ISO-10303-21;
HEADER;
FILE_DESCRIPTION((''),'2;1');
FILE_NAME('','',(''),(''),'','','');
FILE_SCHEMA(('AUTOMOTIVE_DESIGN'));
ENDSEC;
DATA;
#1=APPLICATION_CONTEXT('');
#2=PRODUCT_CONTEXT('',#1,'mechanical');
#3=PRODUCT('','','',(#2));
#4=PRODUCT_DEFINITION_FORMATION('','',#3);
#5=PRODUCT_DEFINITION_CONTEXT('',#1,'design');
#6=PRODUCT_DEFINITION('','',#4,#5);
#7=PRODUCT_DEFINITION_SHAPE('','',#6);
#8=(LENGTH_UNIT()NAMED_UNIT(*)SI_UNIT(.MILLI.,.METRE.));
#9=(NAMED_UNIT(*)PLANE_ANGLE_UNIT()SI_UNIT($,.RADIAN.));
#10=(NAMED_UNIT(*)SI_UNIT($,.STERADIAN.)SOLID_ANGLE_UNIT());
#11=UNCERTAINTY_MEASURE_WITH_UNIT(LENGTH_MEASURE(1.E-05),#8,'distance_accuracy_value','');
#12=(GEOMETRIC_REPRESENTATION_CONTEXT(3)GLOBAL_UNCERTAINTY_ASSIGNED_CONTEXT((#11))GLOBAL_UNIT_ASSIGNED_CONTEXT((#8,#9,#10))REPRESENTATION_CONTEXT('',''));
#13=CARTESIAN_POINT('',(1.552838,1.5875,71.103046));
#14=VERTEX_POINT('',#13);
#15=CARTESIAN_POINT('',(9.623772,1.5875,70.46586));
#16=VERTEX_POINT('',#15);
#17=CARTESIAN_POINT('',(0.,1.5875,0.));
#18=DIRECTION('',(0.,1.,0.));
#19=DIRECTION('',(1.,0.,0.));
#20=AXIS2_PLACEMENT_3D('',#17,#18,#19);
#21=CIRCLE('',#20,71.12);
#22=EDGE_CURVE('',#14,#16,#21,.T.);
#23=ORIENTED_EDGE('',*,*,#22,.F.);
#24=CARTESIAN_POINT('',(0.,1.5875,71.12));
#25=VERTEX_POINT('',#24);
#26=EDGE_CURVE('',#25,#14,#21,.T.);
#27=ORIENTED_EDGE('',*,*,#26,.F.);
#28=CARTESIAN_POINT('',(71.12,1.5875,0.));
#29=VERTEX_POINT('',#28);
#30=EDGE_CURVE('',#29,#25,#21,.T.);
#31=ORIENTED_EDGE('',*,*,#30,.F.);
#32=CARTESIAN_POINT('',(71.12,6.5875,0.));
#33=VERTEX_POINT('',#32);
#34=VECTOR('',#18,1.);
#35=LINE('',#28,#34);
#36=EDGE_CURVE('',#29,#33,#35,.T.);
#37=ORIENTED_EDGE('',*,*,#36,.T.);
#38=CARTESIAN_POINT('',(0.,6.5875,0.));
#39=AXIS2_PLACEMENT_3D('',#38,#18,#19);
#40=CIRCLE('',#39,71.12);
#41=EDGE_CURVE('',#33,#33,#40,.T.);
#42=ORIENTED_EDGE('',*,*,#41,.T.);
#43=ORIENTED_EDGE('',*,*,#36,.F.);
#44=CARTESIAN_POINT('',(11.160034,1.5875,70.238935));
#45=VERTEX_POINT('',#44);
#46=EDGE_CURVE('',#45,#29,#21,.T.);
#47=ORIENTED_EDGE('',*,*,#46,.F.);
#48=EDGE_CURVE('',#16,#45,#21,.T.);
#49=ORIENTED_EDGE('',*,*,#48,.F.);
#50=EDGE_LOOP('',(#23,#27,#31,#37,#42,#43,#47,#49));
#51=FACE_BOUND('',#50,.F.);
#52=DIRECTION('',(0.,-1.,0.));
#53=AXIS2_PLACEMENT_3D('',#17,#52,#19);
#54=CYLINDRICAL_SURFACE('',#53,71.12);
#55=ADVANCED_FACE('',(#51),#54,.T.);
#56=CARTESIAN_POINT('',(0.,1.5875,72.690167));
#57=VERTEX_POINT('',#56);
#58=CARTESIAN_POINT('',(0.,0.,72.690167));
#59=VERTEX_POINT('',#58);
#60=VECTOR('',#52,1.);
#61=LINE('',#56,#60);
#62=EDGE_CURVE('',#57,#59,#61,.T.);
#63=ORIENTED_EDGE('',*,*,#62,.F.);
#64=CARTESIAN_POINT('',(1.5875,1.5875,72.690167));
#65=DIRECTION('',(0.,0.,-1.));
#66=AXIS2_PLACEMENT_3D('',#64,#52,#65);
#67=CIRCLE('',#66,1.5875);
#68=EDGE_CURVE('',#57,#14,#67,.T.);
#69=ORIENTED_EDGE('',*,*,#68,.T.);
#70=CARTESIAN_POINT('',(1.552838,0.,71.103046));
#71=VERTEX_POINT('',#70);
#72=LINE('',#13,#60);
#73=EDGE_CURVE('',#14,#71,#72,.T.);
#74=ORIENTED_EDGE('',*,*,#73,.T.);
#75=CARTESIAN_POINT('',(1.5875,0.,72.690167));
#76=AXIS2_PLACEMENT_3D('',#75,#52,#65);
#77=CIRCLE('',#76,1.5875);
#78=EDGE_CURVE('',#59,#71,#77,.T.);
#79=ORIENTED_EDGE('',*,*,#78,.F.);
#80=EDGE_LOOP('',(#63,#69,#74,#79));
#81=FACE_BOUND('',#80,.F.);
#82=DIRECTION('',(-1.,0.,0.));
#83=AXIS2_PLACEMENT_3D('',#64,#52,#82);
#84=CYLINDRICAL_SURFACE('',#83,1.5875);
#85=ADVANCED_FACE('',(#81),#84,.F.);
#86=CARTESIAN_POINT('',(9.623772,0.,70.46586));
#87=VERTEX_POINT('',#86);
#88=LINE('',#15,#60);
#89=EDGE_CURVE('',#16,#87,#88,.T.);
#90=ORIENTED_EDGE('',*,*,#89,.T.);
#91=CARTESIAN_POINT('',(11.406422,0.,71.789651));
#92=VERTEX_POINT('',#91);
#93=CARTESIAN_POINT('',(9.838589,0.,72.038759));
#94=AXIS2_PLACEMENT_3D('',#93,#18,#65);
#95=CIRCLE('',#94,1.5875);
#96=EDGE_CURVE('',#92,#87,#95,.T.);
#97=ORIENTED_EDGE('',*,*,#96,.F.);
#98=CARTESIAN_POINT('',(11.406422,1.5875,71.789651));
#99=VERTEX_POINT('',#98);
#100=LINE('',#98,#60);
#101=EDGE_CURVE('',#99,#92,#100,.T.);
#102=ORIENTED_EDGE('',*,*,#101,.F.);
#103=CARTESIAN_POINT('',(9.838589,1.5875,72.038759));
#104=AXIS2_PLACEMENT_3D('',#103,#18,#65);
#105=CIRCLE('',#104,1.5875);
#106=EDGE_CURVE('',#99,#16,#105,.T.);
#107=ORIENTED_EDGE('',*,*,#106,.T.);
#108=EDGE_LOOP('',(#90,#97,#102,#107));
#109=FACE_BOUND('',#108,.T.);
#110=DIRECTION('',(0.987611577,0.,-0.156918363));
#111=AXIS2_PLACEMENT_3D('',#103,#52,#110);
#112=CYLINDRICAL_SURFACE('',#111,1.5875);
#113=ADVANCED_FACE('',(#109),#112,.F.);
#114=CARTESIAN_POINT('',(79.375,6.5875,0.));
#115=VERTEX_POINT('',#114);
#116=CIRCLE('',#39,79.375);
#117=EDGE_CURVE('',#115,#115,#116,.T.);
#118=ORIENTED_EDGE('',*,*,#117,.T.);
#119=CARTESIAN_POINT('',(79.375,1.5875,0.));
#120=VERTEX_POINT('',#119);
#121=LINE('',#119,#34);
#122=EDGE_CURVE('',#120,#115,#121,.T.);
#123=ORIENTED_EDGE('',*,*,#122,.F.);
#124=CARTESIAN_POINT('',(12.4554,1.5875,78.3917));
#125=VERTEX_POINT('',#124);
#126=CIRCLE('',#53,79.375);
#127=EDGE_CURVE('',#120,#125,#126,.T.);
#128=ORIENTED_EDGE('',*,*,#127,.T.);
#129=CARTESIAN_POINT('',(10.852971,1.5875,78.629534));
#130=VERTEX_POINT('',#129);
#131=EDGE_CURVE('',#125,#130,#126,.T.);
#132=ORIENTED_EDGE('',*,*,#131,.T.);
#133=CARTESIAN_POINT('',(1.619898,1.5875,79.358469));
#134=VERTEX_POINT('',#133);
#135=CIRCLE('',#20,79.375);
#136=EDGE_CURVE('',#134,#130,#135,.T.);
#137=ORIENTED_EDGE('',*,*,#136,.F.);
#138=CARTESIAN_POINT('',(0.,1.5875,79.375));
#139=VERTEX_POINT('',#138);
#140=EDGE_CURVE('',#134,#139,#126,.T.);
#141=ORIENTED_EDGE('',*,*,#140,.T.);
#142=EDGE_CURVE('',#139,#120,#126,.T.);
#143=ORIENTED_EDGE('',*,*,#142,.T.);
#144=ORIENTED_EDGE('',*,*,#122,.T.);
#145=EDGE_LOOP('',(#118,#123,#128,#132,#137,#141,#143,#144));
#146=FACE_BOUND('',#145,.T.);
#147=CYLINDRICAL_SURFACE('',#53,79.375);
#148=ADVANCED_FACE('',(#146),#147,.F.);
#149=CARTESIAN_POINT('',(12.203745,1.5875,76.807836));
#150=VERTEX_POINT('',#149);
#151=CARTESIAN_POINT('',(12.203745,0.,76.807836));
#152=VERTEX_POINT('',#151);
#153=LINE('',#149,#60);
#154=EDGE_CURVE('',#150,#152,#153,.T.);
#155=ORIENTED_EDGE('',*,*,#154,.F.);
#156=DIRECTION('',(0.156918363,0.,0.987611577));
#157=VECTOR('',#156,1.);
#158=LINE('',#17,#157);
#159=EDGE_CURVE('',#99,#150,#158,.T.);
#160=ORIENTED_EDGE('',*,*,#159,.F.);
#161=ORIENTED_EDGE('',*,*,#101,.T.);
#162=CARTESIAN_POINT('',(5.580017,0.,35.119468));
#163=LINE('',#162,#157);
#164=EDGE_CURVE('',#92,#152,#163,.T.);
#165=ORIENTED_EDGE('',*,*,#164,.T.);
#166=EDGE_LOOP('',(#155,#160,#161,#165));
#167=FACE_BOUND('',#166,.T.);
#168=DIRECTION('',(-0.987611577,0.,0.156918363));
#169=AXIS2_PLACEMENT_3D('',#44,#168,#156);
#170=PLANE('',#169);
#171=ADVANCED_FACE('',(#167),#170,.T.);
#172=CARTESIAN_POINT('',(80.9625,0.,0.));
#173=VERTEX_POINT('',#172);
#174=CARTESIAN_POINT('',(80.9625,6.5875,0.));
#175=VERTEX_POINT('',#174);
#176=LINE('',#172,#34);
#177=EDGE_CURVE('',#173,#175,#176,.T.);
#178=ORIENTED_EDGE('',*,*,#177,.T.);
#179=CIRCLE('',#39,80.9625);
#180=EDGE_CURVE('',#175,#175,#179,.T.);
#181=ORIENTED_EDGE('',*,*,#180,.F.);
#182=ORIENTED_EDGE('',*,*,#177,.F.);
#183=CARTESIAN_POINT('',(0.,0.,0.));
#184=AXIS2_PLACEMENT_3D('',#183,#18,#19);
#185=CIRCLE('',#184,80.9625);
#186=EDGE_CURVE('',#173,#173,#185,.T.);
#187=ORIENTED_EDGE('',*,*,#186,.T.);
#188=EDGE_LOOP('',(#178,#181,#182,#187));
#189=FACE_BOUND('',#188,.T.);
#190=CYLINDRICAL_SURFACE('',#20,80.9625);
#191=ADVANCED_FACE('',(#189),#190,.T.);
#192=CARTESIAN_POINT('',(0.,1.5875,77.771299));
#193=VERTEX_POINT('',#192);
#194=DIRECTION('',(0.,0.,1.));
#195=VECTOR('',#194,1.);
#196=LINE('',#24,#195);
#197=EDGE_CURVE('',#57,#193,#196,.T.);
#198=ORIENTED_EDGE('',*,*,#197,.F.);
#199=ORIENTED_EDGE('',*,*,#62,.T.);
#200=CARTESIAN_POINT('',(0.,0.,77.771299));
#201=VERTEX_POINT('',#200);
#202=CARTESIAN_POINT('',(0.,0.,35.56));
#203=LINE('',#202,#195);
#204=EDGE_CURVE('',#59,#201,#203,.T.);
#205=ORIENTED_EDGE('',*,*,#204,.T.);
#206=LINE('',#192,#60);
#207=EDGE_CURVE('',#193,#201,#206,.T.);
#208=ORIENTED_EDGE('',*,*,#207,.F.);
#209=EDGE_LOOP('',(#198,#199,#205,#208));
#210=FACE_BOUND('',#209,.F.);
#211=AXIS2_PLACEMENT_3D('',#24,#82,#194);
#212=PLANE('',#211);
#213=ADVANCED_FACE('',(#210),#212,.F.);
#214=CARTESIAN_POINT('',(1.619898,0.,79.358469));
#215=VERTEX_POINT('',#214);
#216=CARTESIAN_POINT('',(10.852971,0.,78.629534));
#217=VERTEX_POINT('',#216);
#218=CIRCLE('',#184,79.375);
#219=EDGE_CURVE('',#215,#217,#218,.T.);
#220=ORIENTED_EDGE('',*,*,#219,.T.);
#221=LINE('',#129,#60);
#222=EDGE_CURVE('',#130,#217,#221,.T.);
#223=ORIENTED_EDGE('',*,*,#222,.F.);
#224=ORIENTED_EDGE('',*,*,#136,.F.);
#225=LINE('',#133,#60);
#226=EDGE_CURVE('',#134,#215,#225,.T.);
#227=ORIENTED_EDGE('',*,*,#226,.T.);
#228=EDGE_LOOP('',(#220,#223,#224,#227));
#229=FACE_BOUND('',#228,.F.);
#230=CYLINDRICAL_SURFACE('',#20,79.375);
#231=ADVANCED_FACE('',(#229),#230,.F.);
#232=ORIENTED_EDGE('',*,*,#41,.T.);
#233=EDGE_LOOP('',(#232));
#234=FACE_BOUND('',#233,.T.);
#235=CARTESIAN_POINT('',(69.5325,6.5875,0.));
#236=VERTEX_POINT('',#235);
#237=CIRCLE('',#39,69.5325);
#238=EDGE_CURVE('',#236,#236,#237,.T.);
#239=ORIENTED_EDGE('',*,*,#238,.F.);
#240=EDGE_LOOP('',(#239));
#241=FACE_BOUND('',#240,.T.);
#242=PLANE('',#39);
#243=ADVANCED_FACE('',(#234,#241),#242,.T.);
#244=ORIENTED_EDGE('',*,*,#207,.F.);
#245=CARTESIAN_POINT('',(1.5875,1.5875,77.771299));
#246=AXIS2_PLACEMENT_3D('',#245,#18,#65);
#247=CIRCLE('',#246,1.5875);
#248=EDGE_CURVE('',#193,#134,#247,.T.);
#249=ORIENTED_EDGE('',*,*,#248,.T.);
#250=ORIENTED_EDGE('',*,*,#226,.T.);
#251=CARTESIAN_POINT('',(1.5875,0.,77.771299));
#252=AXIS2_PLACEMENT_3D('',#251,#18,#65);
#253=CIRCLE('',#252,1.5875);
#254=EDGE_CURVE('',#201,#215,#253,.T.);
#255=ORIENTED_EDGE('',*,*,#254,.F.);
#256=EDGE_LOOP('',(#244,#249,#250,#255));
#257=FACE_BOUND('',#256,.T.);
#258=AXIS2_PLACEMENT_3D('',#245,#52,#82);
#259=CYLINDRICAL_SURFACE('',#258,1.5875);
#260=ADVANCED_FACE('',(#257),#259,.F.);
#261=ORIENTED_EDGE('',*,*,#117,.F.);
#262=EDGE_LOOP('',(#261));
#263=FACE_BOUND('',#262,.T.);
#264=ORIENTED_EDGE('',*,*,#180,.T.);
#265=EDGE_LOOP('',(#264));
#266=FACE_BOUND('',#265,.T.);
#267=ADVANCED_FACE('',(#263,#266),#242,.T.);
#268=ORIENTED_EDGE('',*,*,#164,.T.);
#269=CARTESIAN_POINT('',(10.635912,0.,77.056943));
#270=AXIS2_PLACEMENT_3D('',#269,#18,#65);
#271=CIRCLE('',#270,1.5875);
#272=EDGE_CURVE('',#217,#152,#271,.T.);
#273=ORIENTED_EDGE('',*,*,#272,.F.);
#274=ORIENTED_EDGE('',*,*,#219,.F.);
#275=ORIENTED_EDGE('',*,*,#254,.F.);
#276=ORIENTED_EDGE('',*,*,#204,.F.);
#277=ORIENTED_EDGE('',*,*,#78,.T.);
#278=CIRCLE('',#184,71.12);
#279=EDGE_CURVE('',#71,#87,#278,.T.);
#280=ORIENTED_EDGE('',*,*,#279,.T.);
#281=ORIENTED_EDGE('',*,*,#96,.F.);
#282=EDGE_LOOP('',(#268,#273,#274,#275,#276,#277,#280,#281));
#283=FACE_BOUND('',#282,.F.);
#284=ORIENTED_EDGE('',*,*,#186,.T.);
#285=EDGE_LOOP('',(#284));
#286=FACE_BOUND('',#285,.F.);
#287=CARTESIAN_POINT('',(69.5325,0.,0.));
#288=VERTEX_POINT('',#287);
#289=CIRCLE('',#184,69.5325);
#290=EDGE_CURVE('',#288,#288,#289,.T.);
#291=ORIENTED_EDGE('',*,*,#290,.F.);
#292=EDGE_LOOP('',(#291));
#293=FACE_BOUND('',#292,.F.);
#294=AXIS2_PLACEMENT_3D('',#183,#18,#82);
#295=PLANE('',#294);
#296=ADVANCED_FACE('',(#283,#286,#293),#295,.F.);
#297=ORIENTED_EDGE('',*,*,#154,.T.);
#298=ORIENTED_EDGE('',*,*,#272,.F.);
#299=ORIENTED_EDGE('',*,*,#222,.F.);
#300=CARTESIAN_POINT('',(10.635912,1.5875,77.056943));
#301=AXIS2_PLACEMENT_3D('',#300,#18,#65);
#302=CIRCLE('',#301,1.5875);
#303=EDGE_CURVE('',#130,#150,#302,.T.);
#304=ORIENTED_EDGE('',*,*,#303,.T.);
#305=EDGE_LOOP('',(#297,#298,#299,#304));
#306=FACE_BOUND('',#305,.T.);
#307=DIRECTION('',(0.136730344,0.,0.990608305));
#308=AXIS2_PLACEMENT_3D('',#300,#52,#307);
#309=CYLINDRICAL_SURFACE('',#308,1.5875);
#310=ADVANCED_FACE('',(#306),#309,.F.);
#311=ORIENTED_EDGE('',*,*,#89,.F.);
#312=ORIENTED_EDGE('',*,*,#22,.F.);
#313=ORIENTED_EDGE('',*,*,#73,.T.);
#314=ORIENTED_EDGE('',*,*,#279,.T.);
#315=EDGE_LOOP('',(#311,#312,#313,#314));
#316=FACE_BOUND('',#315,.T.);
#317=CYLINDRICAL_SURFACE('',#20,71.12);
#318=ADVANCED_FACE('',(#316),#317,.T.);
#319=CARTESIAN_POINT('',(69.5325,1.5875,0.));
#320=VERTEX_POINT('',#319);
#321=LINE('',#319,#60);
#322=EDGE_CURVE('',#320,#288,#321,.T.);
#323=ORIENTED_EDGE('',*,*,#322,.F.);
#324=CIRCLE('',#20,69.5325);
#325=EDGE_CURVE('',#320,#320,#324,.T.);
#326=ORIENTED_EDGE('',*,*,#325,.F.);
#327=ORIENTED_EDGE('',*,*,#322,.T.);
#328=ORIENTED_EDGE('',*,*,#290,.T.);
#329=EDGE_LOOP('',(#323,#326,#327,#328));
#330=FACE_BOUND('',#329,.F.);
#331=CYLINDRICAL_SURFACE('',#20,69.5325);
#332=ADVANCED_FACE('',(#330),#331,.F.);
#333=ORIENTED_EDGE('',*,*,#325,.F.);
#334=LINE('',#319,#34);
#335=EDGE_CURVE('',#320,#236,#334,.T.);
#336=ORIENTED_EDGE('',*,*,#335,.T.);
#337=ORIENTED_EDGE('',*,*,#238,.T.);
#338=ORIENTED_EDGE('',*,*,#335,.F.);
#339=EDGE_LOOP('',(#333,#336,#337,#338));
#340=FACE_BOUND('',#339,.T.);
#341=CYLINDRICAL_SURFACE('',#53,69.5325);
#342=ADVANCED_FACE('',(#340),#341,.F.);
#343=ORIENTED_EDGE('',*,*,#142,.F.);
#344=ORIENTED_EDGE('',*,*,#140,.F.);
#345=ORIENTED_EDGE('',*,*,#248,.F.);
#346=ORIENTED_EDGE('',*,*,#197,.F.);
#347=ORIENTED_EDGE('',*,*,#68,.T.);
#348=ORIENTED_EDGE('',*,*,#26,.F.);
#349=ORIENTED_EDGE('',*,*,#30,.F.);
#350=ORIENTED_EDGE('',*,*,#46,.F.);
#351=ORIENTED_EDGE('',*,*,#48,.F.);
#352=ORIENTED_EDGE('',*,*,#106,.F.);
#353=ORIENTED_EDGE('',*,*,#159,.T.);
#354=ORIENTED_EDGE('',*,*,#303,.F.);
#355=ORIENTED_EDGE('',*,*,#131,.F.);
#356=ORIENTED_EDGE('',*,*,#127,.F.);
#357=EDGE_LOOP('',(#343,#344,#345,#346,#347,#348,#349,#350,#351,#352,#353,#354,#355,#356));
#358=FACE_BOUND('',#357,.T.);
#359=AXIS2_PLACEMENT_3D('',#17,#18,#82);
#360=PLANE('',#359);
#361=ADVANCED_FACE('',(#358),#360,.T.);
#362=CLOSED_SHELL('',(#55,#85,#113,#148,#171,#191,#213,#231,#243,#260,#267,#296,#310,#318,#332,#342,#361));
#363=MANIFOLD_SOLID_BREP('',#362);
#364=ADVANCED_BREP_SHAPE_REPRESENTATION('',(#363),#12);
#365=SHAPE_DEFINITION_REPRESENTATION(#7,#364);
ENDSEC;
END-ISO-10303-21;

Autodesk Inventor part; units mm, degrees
ref_plane "YZ Plane" through (0, 0, 0) normal (1, 0, 0) x (0, 1, 0)
ref_plane "XZ Plane" through (0, 0, 0) normal (0, 1, 0) x (-1, 0, 0)
ref_plane "XY Plane" through (0, 0, 0) normal (0, 0, 1) x (1, 0, 0)
sketch "Sketch1" plane through (0, 0, 0) normal (0, 1, 0) x (-1, 0, 0)
  point P0 (0, 0)
sketch "Sketch2" plane through (0, 0, 0) normal (0, 1, 0) x (-1, 0, 0)
  circle A0 centre (0, 0) radius 79.375
  circle A1 centre (0, 0) radius 71.12
  dimension "d0" = 158.75
  dimension "d1" = 142.24
extrude "Extrusion1" add sketch "Sketch2" along normal blind 1.5875
sketch "Sketch3" plane through (0, 1.5875, 0) normal (0, 1, 0) x (1, 0, 0)
  circle A0 centre (0, 0) radius 80.9625
  circle A1 centre (0, 0) radius 69.5325
  circle A2 centre (0, 0) radius 71.12 projected
  circle A3 centre (0, 0) radius 79.375 projected
  circle A4 centre (0, 0) radius 79.375 projected
  circle A5 centre (0, 0) radius 71.12 projected
  dimension "d4" = 1.5875
  dimension "d5" = 1.5875
extrude "Extrusion2" add sketch "Sketch3" along normal blind 5 and the other way blind 1.5875
sketch "Sketch4" plane through (0, 1.5875, 0) normal (0, 1, 0) x (1, 0, 0)
  circle A0 centre (0, 0) radius 79.375 projected
  circle A1 centre (0, 0) radius 71.12 projected
  circle A2 centre (0, 0) radius 71.12 projected
  line L0 (0, -71.12) -> (0, -79.375)
  circle A3 centre (0, 0) radius 80.9625 projected
  line L1 (0, 0) -> (12.4554, -78.3917)
  point P0 (11.16, -70.2389)
extrude "Extrusion3" cut sketch "Sketch4" against normal blind 5 contours L0 A1 L1 A0 picked at (10.6461, -75.856)
fillet "Fillet1" radius 1.5875 4 edges at (11.16, 0.7937, 70.2389) (12.4554, 0.7937, 78.3917) (0, 0.7937, 79.375) (0, 0.7937, 71.12)
properties part number "led_ring"
